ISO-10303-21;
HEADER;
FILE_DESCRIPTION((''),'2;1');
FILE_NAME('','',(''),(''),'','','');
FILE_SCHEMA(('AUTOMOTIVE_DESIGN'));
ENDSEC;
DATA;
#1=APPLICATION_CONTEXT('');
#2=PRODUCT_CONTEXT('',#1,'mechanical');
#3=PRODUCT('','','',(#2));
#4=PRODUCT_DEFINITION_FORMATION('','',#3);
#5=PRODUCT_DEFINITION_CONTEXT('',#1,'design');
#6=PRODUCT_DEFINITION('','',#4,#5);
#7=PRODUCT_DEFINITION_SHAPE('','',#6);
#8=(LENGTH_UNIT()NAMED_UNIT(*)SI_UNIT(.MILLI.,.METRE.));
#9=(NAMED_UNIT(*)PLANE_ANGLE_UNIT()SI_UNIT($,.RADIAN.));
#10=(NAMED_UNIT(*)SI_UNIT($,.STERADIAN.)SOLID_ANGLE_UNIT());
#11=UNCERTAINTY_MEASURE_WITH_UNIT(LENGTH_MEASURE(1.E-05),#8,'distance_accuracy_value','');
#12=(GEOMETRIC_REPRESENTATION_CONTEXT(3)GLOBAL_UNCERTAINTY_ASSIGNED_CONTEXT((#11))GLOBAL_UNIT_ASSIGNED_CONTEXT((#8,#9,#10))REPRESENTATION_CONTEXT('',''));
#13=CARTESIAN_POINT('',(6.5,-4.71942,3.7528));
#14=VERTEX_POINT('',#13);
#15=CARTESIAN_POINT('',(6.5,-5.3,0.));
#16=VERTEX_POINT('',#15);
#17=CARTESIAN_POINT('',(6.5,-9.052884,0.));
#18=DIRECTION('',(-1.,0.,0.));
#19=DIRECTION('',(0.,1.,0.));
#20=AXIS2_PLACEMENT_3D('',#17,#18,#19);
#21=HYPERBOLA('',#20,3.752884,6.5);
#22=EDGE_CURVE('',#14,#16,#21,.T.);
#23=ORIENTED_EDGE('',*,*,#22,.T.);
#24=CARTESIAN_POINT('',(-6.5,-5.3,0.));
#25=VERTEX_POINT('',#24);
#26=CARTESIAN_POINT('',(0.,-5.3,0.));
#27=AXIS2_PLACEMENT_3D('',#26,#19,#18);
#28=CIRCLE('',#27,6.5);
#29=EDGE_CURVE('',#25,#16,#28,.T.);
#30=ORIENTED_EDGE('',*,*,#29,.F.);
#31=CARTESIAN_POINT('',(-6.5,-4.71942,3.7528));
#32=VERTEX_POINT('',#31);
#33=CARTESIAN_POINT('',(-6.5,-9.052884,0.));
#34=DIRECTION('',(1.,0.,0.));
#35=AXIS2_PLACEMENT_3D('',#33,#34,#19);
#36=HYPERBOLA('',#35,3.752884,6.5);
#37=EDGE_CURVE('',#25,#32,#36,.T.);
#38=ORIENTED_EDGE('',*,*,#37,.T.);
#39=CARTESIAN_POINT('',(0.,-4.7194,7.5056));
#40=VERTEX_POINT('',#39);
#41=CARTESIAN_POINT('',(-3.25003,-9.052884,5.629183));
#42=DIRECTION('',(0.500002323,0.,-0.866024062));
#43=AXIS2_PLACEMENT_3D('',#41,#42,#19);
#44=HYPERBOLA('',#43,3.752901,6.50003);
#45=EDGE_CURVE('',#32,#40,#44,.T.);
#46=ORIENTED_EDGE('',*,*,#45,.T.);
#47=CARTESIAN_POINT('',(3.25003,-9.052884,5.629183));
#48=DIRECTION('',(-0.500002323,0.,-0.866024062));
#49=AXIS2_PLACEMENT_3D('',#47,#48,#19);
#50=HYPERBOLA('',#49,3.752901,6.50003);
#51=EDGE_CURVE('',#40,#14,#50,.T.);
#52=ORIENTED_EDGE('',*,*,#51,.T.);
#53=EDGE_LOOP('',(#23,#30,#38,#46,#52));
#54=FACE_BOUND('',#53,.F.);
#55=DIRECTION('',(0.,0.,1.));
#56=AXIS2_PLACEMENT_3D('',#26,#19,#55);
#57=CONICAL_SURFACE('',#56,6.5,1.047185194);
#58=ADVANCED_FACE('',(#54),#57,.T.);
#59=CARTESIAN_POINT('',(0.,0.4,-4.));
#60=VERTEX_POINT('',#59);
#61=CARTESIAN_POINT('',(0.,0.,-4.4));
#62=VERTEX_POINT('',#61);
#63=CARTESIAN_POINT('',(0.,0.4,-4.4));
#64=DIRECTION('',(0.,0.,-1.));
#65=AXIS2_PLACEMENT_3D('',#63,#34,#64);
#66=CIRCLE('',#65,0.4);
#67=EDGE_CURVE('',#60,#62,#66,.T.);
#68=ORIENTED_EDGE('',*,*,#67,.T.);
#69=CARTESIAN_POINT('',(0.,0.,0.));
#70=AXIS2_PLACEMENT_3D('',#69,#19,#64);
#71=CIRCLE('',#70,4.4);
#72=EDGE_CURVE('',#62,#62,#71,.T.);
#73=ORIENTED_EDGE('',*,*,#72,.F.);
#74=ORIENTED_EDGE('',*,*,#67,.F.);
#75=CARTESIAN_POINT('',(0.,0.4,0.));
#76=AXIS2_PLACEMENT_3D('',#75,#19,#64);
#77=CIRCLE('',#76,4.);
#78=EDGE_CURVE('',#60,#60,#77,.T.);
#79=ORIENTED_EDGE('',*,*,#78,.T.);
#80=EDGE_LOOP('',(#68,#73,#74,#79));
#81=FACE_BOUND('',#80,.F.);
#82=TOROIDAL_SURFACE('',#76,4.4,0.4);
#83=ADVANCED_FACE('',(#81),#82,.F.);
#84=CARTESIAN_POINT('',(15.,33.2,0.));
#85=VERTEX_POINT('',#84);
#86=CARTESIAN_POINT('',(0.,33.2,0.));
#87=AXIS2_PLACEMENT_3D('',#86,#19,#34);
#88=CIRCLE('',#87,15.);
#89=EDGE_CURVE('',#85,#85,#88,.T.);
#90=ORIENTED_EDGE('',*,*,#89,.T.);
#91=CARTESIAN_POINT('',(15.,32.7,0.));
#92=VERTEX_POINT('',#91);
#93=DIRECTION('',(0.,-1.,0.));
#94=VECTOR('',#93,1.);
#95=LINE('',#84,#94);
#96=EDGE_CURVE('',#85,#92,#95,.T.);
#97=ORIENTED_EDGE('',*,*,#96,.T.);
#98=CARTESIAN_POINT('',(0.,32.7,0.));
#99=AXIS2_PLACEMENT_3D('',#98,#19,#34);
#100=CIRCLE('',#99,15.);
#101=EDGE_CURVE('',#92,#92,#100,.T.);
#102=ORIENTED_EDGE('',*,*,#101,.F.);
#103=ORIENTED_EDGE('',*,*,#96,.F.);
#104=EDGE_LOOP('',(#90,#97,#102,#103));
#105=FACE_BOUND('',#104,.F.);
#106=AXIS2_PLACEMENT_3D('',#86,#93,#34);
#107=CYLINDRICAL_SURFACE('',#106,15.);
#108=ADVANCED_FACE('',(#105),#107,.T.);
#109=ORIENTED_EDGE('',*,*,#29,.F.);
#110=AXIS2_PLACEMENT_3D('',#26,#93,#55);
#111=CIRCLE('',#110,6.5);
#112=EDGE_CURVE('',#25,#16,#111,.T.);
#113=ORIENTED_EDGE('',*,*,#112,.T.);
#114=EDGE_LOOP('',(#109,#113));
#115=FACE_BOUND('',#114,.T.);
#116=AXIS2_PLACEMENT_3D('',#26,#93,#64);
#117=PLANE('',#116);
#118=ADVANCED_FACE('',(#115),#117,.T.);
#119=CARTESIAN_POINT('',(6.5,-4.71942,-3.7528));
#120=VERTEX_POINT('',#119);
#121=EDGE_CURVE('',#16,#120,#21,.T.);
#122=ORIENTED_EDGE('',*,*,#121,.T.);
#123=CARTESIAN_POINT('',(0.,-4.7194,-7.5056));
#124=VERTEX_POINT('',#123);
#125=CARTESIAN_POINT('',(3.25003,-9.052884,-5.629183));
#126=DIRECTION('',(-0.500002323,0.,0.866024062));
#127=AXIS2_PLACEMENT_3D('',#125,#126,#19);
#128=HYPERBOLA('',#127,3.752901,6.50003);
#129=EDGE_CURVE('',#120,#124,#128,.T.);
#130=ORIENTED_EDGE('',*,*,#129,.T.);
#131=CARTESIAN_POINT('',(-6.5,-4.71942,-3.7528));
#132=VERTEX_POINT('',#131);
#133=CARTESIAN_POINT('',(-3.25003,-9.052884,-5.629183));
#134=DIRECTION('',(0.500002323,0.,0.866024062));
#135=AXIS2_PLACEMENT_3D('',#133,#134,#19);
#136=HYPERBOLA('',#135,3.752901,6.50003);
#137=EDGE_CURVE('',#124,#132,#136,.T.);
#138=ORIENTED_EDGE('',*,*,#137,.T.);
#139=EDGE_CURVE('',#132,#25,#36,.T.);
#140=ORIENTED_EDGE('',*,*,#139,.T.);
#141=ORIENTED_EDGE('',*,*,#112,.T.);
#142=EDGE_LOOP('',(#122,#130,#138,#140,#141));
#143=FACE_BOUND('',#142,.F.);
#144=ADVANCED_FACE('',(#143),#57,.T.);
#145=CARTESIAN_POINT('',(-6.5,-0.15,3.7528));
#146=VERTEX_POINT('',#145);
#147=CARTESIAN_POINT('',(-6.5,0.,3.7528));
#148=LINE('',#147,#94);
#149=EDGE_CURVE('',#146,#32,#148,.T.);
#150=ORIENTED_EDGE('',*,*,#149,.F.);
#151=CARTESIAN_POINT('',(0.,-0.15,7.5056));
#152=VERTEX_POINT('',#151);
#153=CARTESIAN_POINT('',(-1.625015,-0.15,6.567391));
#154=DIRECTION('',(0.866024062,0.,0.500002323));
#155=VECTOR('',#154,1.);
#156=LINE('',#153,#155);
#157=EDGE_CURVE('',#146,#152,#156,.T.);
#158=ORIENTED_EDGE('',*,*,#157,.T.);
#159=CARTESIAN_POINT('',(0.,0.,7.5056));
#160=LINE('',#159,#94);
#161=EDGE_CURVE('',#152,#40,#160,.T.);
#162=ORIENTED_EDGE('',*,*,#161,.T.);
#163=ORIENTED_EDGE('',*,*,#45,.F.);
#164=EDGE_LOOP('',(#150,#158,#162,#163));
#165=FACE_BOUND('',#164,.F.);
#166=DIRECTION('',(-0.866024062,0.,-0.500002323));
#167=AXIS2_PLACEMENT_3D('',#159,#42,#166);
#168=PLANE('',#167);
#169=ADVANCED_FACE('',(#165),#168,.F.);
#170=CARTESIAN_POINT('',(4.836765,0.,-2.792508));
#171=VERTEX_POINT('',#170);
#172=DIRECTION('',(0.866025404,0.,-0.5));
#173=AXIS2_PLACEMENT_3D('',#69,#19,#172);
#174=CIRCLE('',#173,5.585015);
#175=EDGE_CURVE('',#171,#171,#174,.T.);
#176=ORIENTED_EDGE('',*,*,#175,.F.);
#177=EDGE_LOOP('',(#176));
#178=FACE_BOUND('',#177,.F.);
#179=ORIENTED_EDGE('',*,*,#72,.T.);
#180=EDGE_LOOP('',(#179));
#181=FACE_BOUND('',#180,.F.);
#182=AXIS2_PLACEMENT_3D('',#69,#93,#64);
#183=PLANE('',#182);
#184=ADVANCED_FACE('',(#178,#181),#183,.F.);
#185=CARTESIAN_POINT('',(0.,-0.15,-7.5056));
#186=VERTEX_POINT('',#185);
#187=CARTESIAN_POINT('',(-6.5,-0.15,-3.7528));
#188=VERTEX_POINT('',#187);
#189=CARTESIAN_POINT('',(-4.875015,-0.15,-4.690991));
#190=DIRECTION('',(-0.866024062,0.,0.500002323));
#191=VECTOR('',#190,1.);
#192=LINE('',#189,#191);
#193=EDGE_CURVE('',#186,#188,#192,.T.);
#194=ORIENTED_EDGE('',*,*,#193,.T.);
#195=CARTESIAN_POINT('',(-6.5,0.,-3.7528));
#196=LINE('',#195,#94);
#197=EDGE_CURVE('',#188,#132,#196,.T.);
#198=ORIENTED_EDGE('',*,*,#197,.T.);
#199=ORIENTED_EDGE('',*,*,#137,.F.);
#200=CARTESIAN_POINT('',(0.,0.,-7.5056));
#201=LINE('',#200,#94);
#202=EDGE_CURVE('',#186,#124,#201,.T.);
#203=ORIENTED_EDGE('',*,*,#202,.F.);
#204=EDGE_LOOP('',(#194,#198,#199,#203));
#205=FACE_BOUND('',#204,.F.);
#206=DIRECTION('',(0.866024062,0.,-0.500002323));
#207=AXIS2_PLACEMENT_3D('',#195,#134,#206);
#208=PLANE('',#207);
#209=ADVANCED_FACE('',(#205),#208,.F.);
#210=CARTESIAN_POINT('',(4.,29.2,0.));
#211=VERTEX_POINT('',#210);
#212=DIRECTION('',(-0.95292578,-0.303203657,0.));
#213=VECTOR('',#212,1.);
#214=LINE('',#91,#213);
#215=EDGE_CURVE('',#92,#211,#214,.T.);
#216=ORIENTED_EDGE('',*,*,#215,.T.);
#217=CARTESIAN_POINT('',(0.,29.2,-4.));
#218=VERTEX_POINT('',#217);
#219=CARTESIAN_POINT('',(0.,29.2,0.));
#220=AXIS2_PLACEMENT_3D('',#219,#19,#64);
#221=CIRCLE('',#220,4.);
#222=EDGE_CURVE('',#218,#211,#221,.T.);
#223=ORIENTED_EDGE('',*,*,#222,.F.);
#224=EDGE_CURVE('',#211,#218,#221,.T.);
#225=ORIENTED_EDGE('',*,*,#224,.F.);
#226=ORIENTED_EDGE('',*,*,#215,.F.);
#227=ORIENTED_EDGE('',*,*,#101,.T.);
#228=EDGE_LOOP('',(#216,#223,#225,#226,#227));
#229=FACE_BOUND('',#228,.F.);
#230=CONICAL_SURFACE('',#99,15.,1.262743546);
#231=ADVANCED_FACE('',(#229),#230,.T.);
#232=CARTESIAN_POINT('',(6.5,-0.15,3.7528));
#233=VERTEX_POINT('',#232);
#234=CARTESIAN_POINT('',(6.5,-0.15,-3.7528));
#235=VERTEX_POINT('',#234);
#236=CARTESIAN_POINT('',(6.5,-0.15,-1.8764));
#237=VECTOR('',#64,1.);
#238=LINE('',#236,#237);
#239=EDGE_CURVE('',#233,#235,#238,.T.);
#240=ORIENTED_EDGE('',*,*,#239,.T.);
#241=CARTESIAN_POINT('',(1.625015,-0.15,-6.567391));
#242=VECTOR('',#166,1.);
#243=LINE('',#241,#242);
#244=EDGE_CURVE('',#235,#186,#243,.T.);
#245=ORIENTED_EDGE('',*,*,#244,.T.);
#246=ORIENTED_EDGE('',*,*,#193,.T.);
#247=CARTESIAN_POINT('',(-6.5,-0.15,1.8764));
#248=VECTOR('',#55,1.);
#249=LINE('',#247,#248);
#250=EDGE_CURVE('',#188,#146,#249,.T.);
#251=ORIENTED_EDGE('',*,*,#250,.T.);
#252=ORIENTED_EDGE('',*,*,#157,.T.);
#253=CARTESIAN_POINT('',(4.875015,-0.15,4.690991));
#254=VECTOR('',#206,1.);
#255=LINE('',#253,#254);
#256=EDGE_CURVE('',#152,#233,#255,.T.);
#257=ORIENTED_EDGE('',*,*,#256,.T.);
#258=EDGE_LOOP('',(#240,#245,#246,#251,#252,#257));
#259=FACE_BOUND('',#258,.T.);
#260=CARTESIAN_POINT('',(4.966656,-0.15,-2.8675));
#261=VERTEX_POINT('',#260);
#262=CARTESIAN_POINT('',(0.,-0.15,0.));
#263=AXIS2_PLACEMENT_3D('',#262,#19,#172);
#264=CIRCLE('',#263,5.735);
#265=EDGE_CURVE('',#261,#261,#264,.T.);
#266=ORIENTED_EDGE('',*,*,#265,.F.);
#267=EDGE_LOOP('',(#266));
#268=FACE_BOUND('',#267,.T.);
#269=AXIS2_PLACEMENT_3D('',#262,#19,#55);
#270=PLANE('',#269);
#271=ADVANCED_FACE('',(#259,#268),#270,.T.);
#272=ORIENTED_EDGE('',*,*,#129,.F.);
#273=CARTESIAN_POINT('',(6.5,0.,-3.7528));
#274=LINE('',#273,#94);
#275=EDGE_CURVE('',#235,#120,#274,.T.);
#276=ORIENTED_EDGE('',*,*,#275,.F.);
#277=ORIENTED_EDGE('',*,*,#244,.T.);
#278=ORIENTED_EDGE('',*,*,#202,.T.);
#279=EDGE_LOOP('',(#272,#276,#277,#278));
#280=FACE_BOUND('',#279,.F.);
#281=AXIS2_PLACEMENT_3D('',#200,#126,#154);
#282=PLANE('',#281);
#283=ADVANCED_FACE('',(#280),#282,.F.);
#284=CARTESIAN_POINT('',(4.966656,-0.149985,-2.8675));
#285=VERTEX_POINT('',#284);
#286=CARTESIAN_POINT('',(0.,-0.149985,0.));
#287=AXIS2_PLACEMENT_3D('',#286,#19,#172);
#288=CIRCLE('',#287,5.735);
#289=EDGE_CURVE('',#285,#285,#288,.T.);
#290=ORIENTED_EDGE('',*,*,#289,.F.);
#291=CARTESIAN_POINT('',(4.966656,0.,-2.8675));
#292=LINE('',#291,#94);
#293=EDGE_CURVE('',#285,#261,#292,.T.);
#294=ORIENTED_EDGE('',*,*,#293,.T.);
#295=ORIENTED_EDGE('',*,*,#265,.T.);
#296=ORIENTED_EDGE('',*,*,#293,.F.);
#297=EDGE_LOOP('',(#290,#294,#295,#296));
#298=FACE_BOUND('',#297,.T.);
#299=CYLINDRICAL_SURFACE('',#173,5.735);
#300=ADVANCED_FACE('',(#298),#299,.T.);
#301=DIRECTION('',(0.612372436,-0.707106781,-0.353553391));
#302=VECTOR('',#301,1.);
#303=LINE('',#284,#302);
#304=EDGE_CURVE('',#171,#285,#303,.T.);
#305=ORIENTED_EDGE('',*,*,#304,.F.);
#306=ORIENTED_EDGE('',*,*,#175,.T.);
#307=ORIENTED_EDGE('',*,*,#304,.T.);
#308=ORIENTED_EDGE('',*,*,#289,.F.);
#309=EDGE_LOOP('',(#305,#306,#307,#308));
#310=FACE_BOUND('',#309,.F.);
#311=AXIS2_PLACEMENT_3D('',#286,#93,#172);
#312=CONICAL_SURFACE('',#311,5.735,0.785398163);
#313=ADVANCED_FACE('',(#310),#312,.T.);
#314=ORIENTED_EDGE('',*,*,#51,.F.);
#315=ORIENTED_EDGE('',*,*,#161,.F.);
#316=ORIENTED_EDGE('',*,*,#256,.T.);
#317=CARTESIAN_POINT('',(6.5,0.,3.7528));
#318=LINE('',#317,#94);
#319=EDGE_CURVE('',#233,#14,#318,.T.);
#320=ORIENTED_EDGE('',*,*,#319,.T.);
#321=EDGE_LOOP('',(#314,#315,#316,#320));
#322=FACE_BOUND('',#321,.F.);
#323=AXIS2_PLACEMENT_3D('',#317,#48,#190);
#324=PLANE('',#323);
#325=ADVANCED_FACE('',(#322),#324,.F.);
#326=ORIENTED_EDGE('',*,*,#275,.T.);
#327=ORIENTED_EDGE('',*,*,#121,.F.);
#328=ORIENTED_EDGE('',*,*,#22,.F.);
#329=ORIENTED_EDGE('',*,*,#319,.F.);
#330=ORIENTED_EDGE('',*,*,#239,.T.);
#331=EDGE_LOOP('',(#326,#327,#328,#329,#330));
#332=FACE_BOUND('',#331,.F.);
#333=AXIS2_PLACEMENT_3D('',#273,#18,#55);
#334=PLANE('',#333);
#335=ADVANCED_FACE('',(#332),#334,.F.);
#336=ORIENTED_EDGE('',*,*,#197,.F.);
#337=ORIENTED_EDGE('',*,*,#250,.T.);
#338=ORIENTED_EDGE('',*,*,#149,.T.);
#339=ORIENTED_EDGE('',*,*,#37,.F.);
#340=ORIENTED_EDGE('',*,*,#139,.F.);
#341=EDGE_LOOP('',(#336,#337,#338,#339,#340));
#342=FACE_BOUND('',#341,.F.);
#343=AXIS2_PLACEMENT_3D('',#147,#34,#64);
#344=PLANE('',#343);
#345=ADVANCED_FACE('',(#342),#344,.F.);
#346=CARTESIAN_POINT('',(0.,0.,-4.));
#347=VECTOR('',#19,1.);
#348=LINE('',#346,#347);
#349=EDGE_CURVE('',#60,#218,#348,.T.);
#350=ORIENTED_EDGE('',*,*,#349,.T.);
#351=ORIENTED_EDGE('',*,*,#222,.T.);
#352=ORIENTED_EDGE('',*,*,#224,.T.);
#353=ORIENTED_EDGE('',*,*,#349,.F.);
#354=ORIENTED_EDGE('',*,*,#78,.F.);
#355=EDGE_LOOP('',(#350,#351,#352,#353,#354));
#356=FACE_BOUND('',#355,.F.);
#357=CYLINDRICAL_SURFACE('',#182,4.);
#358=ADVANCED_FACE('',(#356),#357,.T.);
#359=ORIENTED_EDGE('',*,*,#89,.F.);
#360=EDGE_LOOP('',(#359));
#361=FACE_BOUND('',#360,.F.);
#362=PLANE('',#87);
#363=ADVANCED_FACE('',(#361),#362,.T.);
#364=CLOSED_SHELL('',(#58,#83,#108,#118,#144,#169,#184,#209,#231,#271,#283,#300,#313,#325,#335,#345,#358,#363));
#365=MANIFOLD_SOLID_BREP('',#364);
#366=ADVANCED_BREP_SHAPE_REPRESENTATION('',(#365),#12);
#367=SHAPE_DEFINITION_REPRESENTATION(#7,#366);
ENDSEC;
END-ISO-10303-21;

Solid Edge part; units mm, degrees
sketch "Sketch1" plane through (0, 0, 0) normal (0, -1, 0) x (1, 0, 0)
  line L0 (6.5, -3.7528) -> (6.5, 3.7528)
  line L1 (6.5, 3.7528) -> (0, 7.5056)
  line L2 (0, 7.5056) -> (-6.5, 3.7528)
  line L3 (-6.5, 3.7528) -> (-6.5, -3.7528)
  line L4 (-6.5, -3.7528) -> (0, -7.5056)
  line L5 (0, -7.5056) -> (6.5, -3.7528)
extrude "Protrusion1" add sketch "Sketch1" along normal blind 5.3
sketch "Sketch2" plane through (0, 0, 0) normal (1, 0, 0) x (0, 1, 0)
  line L0 (-5.3, 6.5) -> (-4.7194, 7.5056)
revolve "RevolvedCutout1" cut sketch "Sketch2" angle 360 about axis through (0, 0, 0) along (0, -1, 0) material side at (0, -5.053, 7.0278)
sketch "Sketch3" plane through (0, 0, 0) normal (0, 1, 0) x (0.866, 0, -0.5)
  circle A0 centre (0, 0) radius 5.735
extrude "拉伸除料_1" cut sketch "Sketch3" against normal blind 0.15 flip side to cut
sketch "Sketch4" plane through (0, 0, 0) normal (0, 1, 0) x (0, 0, -1)
  circle A0 centre (0, 0) radius 4
  dimension "D1" = 8
extrude "拉伸_2" add sketch "Sketch4" along normal blind 30
chamfer "倒斜角_1" distance 0.8 angle 45 1 edges at (0, 30, 4)
fillet "倒圆_1" radius 0.4 1 edges at (0, 0, 4)
chamfer "倒斜角_2" distance 0.15 angle 45 1 edges at (-4.9667, 0, 2.8675)
cosmetic_thread "Thread1" size "M8"
sketch "Sketch5" plane through (0, 0, 0) normal (0, 0, 1) x (1, 0, 0)
  line L0 (0, 33.2) -> (15, 33.2)
  line L1 (15, 33.2) -> (15, 32.7)
  line L2 (15, 32.7) -> (4, 29.2)
  line L3 (4, 29.2) -> (0, 29.2)
revolve "RevolvedProtrusion1" add sketch "Sketch5" angle 360 about axis through (0, 29.2, 0) along (0, 1, 0)
